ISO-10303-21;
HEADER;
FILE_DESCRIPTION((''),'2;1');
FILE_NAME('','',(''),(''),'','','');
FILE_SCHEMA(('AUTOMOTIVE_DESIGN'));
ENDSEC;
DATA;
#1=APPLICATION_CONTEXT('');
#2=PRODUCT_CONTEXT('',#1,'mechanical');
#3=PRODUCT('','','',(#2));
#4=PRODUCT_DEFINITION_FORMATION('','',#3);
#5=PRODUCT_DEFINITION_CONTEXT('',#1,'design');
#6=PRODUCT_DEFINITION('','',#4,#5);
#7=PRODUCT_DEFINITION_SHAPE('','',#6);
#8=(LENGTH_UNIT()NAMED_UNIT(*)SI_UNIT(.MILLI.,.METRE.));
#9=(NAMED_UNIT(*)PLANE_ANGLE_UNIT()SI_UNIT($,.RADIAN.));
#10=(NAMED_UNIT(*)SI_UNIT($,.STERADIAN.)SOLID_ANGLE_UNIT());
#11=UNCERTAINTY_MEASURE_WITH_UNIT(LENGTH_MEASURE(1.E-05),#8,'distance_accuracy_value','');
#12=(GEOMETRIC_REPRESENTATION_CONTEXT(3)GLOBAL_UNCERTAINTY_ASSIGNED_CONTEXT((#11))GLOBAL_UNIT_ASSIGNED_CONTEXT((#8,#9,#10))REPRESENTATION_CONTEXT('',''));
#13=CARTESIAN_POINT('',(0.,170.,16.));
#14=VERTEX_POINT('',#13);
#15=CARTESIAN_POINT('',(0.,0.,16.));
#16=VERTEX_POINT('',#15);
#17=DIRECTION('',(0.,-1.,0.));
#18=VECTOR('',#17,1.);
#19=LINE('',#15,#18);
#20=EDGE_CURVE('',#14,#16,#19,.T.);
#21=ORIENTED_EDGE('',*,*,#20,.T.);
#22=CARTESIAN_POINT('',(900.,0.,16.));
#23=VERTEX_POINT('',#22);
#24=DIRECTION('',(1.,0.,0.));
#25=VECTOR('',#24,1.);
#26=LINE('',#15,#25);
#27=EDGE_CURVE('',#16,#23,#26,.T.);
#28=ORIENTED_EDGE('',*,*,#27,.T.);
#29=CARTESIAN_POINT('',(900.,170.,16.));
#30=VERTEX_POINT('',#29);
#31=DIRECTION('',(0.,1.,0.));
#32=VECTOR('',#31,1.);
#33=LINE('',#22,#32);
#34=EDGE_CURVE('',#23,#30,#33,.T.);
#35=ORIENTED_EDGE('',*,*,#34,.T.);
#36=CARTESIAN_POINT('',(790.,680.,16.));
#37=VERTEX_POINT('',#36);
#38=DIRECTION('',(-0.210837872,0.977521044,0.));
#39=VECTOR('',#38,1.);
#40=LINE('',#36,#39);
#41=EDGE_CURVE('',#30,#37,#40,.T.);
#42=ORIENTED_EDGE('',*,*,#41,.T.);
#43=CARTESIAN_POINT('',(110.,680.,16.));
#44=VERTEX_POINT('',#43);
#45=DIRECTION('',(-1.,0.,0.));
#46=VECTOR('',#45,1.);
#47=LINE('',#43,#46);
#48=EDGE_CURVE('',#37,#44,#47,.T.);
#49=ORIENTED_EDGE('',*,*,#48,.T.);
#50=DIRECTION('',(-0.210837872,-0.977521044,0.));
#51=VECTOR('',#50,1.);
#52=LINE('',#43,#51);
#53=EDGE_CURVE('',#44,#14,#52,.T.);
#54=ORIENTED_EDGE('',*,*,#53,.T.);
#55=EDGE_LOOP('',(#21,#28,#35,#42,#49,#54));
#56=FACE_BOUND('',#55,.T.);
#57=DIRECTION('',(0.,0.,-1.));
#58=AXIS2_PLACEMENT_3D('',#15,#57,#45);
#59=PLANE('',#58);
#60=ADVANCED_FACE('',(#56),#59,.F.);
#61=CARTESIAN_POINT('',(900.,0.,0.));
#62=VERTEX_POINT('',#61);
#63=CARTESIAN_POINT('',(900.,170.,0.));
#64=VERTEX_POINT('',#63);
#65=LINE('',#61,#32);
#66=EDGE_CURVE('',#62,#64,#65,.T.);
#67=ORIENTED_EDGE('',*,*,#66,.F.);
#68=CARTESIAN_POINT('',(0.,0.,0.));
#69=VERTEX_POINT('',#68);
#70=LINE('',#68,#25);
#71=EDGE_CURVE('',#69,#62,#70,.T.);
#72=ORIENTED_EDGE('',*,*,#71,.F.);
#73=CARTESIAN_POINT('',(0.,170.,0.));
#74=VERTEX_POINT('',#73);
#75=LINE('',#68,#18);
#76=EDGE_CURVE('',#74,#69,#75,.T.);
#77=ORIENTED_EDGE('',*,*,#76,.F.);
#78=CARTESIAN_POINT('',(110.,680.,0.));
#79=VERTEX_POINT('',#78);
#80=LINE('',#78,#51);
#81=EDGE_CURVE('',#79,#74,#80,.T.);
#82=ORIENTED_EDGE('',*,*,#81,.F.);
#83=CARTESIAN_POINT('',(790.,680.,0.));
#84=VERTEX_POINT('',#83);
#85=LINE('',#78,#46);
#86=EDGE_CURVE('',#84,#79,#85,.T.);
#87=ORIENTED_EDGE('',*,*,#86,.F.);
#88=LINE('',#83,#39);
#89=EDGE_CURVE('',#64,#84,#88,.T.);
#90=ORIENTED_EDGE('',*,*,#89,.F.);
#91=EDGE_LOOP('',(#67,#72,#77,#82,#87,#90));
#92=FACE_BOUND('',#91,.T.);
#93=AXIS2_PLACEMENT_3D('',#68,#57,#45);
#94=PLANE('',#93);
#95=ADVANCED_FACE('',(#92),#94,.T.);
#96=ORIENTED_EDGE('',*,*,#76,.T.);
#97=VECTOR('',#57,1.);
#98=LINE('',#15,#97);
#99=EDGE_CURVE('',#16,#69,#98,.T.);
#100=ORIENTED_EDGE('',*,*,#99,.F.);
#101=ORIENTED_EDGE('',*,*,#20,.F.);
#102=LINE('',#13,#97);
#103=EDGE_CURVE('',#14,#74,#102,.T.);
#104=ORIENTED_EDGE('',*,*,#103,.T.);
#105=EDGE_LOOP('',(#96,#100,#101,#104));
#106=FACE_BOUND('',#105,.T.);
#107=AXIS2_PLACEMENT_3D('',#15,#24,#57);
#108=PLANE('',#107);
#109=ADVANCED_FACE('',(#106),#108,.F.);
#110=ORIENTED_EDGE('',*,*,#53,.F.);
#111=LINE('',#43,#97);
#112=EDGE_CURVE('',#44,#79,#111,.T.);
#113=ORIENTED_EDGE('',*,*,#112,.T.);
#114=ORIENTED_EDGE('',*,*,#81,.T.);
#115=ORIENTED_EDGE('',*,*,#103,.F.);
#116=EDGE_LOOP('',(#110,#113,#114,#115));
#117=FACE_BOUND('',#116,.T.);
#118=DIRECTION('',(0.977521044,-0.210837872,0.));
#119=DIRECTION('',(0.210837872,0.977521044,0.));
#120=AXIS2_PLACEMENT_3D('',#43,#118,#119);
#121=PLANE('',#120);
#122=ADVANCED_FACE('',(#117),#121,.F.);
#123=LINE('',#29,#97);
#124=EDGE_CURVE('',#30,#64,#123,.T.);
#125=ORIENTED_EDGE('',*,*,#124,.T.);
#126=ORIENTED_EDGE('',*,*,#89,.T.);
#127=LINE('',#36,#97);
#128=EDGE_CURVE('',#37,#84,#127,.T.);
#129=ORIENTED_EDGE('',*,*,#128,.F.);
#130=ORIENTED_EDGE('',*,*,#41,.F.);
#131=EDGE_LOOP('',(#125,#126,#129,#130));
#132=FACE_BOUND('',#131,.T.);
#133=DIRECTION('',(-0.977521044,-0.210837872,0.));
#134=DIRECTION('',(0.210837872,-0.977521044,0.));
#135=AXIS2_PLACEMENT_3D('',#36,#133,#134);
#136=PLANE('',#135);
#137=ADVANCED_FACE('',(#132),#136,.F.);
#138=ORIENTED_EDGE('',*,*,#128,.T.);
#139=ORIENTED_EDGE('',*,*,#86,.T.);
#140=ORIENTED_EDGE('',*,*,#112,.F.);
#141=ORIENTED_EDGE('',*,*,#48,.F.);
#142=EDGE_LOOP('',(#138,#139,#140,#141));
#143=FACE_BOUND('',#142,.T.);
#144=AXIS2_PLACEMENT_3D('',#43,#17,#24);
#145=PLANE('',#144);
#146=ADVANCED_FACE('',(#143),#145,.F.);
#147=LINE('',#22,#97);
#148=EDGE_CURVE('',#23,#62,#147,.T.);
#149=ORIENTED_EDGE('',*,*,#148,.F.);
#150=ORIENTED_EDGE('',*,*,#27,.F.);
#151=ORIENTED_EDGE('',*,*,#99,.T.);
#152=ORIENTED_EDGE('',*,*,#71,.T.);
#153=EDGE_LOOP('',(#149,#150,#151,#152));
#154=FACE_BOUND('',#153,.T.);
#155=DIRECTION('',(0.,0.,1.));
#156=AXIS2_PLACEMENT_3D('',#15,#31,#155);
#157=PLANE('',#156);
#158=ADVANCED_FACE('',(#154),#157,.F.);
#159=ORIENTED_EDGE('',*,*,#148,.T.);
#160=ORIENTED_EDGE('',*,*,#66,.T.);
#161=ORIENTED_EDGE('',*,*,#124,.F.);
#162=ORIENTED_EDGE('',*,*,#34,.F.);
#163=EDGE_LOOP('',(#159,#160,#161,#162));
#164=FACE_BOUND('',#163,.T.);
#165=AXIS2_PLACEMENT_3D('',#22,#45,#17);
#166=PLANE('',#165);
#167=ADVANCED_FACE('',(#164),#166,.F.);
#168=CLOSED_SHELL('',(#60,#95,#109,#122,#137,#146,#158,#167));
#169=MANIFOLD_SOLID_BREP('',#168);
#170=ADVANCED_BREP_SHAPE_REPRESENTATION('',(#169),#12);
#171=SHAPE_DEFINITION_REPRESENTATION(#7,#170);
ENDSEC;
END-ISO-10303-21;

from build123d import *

# Parameters (mm, degrees)
EXTRUDE_1042_DEPTH = 16


with BuildPart() as part:
    # 草图2 → Extrude 1042 (new body)
    with BuildSketch(Plane.XY):
        Polygon((110, 680), (0, 170), (0, 0), (900, 0), (900, 170), (790, 680), align=None)
    extrude(amount=EXTRUDE_1042_DEPTH)


solid = part.part
